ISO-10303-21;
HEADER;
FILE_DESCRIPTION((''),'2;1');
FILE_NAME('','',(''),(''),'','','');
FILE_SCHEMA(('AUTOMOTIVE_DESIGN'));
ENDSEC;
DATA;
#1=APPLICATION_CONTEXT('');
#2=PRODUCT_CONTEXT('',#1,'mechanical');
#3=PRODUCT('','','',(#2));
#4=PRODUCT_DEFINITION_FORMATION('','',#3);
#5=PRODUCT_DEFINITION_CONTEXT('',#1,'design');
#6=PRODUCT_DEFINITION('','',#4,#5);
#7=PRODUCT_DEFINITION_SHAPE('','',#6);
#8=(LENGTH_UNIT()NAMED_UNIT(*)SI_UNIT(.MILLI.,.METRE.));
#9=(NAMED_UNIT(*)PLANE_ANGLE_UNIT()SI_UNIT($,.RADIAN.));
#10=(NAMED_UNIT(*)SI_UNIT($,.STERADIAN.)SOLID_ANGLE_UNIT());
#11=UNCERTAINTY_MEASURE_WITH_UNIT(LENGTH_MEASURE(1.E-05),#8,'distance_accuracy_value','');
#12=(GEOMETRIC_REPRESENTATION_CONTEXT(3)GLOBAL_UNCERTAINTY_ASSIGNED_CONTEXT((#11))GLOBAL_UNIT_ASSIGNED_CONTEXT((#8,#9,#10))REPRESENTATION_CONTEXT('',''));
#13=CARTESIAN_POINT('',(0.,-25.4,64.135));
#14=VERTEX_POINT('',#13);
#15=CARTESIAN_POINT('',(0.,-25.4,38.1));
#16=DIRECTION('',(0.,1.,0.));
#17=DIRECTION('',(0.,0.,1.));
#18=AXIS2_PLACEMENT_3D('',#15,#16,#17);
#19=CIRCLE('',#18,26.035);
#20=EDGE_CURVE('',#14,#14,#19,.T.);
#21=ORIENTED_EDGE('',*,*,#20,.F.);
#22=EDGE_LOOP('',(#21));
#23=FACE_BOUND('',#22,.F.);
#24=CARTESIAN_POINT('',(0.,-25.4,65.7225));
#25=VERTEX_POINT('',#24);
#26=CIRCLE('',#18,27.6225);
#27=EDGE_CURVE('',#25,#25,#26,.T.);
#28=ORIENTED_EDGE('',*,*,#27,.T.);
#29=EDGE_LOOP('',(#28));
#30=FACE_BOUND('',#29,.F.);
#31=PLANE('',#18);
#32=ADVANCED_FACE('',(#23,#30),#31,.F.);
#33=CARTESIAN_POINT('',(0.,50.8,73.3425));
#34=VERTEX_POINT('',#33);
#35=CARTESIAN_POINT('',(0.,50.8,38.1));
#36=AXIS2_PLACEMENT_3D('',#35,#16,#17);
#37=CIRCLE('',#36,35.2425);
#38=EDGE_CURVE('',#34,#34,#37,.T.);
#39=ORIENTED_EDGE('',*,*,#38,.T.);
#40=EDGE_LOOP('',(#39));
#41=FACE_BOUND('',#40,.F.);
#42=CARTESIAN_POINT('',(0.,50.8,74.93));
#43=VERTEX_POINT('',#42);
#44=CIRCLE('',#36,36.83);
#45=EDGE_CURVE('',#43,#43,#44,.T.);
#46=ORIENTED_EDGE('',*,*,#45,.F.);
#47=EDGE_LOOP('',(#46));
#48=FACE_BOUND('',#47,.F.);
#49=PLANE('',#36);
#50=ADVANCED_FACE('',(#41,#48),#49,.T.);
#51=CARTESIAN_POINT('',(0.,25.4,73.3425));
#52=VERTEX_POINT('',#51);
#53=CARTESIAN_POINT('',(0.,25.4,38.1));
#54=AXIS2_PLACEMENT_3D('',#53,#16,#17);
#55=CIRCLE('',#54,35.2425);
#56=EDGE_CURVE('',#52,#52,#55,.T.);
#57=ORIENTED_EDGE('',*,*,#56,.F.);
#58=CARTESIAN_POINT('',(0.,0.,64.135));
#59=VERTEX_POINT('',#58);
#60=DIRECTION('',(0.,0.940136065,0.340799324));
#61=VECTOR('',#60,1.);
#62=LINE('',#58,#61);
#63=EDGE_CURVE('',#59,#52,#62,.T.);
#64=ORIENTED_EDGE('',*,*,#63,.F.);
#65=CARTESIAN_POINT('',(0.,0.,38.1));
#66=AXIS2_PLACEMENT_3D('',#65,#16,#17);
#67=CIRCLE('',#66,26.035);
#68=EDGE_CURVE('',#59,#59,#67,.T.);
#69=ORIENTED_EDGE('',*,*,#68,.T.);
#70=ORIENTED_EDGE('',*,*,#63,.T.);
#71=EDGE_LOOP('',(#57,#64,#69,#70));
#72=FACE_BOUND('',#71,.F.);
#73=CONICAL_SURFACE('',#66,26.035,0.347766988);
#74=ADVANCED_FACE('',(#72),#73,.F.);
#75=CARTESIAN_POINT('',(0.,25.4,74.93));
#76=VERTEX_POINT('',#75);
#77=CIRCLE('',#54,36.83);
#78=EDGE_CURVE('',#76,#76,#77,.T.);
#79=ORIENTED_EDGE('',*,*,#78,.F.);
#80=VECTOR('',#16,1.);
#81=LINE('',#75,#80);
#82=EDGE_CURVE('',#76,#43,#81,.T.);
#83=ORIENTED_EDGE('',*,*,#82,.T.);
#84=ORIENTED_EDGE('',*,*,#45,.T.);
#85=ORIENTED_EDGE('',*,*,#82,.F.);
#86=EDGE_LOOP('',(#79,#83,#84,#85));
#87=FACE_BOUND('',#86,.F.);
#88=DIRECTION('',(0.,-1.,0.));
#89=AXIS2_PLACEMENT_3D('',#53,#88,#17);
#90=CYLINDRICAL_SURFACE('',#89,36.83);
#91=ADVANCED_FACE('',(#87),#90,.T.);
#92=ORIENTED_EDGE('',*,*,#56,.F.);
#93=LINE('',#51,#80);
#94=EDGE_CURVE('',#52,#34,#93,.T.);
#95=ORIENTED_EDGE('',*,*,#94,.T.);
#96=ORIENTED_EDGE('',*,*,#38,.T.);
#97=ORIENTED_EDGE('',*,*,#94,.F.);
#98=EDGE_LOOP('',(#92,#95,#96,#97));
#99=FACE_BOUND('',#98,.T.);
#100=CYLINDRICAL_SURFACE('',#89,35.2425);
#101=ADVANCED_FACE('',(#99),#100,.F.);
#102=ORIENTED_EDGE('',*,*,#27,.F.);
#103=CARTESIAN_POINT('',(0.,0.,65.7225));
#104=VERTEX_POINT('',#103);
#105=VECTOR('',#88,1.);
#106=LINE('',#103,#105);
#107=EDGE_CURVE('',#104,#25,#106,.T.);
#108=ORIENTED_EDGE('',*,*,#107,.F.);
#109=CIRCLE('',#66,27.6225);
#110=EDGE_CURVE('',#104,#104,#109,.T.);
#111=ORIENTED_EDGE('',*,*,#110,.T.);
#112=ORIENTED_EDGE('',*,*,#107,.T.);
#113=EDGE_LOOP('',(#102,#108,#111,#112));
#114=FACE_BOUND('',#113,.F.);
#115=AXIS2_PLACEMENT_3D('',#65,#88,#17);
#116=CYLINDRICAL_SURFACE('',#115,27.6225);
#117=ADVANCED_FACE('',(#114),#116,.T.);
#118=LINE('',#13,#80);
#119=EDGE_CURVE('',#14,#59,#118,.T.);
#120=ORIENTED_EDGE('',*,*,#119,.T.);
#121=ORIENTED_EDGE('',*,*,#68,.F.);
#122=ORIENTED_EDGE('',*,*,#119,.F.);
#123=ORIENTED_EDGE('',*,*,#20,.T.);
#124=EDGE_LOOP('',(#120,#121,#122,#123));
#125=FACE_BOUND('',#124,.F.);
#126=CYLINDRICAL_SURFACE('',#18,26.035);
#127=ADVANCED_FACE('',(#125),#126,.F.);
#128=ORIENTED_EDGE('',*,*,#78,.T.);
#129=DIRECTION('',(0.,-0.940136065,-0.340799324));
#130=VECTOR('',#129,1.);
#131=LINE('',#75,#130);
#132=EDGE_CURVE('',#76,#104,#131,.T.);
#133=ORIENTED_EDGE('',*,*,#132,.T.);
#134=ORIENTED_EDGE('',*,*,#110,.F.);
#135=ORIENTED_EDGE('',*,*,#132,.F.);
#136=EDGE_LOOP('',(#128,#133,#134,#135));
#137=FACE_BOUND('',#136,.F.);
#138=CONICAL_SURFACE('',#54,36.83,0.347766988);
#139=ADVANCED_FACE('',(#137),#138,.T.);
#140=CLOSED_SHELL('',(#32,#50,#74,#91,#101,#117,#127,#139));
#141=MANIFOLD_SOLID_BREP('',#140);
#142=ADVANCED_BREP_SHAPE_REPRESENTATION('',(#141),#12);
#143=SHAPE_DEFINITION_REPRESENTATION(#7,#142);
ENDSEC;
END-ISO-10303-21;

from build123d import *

# Parameters (mm, degrees)
F2_DEPTH = 25.4


with BuildPart() as f1:
    # F0 (on Right) → F1 (revolve)
    with BuildSketch(Plane.YZ):
        Polygon((0, 65.7225), (-25.4, 65.7225), (-25.4, 64.135), (0, 64.135), (25.4, 73.3425), (25.4, 74.93), align=None)
    revolve(axis=Axis((0, 22.8438180268, 38.1), (0, 1, 0)))

    # F2 (add): a face of the model
    f2_faces = [f1.faces().sort_by_distance(p)[0] for p in [
        (0, 25.4, 1.81579029),
    ]]
    extrude(f2_faces, amount=F2_DEPTH)


solid = f1.part
